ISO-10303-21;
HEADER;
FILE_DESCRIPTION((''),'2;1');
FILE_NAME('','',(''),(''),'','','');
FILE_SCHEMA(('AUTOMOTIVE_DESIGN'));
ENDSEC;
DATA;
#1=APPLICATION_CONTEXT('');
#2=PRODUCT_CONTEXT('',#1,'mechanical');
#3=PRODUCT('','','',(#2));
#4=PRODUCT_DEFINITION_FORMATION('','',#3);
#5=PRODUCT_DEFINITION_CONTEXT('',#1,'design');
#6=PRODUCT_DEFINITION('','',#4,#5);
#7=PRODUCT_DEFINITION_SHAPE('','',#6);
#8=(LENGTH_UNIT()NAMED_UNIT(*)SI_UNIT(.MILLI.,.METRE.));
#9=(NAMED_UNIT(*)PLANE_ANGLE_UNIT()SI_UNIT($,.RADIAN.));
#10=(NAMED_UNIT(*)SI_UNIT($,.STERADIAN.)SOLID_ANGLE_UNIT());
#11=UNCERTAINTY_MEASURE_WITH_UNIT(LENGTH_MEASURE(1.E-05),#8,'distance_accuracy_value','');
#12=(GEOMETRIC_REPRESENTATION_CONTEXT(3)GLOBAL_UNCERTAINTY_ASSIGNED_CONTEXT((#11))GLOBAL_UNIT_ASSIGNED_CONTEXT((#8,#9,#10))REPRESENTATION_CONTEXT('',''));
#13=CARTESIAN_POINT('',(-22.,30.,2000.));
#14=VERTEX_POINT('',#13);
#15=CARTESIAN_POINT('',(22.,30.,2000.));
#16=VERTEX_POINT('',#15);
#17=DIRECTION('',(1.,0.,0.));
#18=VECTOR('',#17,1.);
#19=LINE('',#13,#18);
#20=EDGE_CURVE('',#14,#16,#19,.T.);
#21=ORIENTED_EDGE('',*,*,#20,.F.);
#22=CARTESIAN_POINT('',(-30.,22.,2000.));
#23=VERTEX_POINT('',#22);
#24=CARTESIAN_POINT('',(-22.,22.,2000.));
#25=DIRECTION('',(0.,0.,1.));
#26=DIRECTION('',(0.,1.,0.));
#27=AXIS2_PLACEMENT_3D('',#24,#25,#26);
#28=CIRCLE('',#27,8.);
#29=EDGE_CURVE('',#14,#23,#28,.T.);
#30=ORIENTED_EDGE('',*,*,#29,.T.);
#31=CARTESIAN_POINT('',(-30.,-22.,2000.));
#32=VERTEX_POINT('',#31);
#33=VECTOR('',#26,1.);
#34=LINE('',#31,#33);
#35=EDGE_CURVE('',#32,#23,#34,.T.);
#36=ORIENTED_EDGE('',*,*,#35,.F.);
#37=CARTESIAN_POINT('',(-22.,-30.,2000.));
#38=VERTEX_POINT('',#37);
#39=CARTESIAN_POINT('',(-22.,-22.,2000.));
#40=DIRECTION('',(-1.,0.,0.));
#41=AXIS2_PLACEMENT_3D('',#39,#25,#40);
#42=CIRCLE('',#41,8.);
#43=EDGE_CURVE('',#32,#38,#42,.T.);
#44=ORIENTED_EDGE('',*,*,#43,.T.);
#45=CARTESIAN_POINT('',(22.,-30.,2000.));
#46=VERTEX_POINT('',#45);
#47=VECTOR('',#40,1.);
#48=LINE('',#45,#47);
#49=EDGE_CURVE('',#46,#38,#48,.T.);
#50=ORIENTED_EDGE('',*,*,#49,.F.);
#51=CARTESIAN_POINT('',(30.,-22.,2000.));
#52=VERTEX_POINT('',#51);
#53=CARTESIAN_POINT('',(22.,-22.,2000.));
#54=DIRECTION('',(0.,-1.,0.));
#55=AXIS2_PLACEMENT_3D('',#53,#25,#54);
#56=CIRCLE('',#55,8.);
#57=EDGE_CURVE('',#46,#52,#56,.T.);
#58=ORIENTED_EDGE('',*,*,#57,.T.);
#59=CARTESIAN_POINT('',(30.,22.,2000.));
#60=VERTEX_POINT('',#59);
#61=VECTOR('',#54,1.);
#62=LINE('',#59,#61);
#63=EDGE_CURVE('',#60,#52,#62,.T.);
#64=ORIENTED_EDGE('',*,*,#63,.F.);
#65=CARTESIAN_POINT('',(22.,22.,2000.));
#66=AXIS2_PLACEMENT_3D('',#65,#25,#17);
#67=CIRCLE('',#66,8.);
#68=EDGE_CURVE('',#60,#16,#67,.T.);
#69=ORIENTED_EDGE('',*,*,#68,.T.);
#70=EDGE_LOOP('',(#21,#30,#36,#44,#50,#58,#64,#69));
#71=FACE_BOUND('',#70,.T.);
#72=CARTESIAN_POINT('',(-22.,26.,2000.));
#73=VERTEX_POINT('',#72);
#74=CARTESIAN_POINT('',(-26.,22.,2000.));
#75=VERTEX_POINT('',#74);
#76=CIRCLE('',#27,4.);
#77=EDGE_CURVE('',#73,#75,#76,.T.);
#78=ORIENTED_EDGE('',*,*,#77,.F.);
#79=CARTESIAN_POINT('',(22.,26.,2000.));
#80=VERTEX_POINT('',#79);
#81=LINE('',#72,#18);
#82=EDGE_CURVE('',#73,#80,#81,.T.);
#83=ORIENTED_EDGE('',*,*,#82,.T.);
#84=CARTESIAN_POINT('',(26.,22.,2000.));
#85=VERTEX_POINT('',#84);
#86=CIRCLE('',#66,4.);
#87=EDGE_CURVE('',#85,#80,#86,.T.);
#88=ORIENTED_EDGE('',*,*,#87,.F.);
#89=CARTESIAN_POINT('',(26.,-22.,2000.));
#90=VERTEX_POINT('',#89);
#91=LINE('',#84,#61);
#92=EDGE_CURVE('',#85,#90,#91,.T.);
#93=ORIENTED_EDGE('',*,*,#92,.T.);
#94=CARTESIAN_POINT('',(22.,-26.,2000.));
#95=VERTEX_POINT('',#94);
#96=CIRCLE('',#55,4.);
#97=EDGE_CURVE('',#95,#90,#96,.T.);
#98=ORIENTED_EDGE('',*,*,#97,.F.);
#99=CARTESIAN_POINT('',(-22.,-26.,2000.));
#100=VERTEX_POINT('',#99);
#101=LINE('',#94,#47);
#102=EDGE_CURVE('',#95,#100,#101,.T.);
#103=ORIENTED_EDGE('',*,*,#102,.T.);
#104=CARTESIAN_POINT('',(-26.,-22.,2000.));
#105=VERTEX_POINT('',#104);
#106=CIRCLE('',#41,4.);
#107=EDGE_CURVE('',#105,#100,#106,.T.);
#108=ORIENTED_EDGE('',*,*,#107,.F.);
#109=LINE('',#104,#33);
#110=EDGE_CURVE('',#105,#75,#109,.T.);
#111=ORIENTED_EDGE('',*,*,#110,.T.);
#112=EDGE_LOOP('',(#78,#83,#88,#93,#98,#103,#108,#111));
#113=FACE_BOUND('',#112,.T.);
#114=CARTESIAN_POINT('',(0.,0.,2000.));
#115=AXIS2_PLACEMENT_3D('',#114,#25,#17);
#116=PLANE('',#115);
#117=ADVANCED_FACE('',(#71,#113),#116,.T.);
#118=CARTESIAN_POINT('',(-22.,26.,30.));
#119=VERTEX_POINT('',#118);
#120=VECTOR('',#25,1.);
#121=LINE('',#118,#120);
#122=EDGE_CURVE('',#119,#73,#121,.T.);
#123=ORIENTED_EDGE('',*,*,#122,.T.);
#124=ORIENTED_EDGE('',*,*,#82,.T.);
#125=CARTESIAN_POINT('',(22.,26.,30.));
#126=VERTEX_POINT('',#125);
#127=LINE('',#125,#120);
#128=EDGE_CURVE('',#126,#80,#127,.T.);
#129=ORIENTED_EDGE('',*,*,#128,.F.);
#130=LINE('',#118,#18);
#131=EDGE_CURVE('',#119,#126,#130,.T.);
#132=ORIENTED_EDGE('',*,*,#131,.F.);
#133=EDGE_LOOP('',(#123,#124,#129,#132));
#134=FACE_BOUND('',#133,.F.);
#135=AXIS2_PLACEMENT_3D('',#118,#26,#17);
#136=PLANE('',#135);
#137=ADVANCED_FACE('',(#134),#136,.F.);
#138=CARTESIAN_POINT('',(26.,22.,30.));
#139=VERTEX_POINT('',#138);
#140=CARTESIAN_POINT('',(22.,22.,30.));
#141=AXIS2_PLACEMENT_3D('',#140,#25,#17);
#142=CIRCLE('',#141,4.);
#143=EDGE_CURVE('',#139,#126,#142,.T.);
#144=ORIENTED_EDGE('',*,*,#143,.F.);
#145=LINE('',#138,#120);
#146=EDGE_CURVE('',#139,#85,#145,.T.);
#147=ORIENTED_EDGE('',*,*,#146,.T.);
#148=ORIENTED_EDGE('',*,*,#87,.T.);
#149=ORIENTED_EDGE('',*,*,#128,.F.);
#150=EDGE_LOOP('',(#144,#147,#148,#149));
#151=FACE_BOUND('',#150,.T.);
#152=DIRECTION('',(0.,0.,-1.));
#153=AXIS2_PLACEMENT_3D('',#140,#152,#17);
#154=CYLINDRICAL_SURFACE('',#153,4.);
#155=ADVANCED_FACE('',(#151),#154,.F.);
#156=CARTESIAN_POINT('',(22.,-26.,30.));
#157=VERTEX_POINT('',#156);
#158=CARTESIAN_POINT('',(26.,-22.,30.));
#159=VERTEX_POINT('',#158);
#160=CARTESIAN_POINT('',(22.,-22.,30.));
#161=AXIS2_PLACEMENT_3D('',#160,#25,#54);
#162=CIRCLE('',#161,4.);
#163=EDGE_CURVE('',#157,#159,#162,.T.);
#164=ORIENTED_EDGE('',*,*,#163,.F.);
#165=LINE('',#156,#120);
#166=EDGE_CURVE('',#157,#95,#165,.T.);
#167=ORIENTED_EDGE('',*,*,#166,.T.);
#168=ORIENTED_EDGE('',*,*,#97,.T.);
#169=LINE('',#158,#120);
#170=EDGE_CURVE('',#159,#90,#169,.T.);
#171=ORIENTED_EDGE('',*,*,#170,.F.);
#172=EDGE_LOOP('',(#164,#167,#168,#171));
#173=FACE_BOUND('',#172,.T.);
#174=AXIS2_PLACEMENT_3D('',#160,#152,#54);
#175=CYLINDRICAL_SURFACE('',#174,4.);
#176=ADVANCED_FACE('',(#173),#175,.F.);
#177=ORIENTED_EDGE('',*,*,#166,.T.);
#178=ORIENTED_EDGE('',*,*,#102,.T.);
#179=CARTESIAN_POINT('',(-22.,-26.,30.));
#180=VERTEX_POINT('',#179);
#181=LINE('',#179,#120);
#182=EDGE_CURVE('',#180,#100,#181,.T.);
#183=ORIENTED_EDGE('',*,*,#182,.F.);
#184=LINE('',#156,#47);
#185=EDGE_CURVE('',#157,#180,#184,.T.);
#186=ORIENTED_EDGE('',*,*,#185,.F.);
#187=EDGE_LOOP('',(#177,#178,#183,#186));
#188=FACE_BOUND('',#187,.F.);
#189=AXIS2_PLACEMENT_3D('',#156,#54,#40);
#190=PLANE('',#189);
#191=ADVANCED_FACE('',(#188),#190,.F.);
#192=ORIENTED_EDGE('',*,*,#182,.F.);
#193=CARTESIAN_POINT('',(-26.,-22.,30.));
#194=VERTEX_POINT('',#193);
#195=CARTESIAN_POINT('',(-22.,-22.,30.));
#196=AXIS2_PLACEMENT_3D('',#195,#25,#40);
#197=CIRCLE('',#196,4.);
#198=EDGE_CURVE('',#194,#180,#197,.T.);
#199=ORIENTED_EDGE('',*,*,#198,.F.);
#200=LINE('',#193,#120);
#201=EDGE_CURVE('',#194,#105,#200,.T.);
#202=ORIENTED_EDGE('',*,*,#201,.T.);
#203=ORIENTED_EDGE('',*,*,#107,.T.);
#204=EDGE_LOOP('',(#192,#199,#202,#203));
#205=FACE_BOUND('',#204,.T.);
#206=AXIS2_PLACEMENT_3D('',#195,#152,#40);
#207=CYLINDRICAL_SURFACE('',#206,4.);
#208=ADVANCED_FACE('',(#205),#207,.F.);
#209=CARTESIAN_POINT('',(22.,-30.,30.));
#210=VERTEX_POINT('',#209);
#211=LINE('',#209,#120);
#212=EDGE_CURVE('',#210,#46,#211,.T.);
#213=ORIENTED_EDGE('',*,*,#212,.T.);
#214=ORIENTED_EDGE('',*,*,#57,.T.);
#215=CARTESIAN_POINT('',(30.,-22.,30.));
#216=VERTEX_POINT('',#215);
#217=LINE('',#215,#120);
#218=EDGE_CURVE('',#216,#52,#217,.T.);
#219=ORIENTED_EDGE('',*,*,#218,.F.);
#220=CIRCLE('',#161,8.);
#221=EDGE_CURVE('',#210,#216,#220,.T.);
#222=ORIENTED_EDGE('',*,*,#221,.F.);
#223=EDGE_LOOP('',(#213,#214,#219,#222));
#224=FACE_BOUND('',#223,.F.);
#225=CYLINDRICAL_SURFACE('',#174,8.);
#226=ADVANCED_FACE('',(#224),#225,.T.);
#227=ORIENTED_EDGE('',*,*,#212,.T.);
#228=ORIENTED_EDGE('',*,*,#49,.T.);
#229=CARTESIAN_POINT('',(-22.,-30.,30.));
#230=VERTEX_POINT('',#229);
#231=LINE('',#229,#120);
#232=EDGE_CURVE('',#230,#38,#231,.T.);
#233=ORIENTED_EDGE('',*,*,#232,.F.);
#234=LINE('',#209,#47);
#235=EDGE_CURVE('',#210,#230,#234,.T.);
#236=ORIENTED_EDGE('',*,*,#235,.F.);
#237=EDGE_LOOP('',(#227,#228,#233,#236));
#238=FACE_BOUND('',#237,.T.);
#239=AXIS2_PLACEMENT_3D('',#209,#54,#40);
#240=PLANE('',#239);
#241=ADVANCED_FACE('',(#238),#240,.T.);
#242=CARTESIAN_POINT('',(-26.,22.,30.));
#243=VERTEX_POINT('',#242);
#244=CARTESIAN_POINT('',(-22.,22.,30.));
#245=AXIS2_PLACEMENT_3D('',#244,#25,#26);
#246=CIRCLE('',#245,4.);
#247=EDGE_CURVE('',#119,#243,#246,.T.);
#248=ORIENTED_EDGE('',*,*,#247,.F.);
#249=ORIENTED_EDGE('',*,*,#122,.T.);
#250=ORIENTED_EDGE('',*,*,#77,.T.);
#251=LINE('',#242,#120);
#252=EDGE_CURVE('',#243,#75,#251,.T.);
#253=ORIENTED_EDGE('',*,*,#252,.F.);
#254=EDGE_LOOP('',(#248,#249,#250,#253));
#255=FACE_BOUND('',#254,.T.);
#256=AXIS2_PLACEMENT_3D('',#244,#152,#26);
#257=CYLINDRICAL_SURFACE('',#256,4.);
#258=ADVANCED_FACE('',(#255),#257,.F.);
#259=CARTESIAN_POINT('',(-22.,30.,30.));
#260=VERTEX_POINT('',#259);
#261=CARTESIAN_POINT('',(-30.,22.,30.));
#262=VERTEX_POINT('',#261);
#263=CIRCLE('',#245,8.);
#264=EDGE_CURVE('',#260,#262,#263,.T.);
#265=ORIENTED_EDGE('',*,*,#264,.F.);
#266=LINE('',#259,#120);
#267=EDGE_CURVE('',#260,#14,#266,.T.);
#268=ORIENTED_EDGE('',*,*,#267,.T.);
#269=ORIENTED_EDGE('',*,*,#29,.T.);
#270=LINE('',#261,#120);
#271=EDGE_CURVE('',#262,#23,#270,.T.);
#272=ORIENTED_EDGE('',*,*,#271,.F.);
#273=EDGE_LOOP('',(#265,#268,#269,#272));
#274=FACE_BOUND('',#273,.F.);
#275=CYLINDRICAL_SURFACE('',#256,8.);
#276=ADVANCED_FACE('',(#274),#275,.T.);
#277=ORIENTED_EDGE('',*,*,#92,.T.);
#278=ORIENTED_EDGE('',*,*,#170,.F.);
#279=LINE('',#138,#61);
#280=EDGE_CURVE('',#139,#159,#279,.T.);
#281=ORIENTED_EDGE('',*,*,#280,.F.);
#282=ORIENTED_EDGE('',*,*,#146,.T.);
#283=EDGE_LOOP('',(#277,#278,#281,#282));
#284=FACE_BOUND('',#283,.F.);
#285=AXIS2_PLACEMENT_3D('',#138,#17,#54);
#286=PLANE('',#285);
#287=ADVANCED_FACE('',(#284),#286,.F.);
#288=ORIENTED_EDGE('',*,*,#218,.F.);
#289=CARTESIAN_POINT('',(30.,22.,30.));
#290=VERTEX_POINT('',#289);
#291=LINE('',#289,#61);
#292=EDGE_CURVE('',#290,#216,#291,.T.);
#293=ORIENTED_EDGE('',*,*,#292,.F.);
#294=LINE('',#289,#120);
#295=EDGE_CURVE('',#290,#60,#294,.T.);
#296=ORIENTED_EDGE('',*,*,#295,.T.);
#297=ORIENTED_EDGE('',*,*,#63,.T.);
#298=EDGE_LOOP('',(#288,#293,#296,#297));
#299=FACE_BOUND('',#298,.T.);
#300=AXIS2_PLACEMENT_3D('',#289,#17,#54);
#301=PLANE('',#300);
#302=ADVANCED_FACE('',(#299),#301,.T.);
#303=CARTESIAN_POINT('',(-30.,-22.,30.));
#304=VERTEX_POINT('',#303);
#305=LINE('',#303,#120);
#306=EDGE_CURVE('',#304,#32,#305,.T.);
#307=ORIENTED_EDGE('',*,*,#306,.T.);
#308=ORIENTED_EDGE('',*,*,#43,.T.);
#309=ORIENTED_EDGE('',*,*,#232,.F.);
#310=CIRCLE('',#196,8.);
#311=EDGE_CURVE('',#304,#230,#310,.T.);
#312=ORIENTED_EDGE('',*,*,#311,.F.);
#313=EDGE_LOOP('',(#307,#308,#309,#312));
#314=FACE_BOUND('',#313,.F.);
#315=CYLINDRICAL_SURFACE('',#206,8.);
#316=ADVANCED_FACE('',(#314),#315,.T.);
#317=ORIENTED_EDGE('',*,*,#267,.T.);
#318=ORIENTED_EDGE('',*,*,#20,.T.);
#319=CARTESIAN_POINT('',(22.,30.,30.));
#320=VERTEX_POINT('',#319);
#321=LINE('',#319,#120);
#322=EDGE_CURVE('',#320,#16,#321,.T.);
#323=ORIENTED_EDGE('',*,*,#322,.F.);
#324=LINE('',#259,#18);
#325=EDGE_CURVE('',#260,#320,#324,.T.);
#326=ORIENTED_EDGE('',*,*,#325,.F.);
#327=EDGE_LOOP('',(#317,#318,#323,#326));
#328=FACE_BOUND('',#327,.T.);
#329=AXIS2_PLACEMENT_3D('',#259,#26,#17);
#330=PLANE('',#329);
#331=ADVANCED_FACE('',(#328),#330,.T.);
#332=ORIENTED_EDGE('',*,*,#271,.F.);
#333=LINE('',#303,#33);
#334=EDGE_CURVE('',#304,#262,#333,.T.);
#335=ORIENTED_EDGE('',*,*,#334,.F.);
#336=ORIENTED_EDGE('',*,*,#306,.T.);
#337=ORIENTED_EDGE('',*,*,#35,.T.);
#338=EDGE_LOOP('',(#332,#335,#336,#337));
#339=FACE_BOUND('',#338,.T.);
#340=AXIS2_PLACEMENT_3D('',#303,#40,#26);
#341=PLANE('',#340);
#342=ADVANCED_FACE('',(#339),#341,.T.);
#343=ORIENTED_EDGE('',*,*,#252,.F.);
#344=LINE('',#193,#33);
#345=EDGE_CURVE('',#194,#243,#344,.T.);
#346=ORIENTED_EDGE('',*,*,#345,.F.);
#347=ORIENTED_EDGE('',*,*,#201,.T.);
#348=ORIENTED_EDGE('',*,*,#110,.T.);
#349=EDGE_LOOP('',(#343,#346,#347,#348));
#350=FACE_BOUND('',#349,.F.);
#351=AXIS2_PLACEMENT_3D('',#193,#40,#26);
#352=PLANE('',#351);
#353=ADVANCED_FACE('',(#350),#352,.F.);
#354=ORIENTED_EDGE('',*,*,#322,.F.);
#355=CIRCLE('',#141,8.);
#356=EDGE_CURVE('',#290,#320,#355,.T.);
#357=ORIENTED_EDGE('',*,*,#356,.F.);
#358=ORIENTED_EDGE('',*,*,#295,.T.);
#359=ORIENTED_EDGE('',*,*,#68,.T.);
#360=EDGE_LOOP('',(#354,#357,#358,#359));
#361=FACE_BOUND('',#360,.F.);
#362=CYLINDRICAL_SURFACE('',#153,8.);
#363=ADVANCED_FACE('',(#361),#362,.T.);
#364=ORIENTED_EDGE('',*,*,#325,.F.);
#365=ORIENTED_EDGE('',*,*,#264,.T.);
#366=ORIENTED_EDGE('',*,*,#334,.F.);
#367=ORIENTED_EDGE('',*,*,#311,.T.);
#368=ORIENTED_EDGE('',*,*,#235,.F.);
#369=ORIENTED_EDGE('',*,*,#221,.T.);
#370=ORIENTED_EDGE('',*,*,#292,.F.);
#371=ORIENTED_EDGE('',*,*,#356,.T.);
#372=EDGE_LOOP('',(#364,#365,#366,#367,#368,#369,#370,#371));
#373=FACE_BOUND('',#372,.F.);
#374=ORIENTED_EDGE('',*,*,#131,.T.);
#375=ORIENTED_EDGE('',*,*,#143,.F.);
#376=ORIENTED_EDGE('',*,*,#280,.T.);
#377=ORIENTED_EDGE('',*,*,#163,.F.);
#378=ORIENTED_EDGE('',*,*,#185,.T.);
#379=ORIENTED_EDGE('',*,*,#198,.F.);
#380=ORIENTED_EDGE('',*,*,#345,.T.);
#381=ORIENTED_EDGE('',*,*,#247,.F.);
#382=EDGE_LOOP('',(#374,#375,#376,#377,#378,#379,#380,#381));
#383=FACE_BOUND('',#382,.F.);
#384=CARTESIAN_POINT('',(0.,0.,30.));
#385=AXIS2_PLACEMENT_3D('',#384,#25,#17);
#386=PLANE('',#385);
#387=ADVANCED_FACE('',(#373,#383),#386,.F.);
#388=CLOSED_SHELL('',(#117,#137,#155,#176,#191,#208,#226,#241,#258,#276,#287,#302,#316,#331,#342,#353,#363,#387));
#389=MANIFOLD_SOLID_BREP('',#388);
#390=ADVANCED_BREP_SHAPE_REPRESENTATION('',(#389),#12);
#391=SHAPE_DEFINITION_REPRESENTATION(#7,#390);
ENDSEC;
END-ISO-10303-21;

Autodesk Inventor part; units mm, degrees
ref_plane "Start Plane" through (0, 0, 30) normal (0, 0, 1) x (1, 0, 0)
ref_plane "End Plane" through (0, 0, 2000) normal (0, 0, 1) x (1, 0, 0)
sketch "Sketch" plane through (0, 0, 0) normal (0, 0, 1) x (1, 0, 0)
  line L0 (-30, -22) -> (-30, 22)
  line L1 (-22, 30) -> (22, 30)
  line L2 (30, 22) -> (30, -22)
  line L3 (22, -30) -> (-22, -30)
  arc A0 (-30, -22) -> (-22, -30) centre (-22, -22) ccw
  arc A1 (30, 22) -> (22, 30) centre (22, 22) ccw
  arc A2 (-22, 30) -> (-30, 22) centre (-22, 22) ccw
  arc A3 (22, -30) -> (30, -22) centre (22, -22) ccw
  arc A4 (-22, 26) -> (-26, 22) centre (-22, 22) ccw
  line L4 (-22, 26) -> (22, 26)
  arc A5 (26, 22) -> (22, 26) centre (22, 22) ccw
  line L5 (26, 22) -> (26, -22)
  arc A6 (22, -26) -> (26, -22) centre (22, -22) ccw
  line L6 (22, -26) -> (-22, -26)
  arc A7 (-26, -22) -> (-22, -26) centre (-22, -22) ccw
  line L7 (-26, -22) -> (-26, 22)
  line L8 (0, 44.3196) -> (0, -44.3196) construction
  line L9 (-44.3196, 0) -> (44.3196, 0) construction
  dimension "d7" = 8
  dimension "d9" = 60
  dimension "d11" = 60
  dimension "d12" = 4
  dimension "d15" = 30
  dimension "d16" = 30
extrude "Body" add sketch "Sketch" along normal up to surface (1970 mm away) from surface at 30
sketch "Sketch3" plane through (0, 0, 0) normal (0, 0, 1) x (1, 0, 0)
  line L0 (0, 0) -> (10, 0)
ref_plane "Work Plane3" through (0, 0, 0) normal (0, -1, 0) x (1, 0, 0)
ref_plane "Work Plane4" through (-7000, -22, 30) normal (0, 0, -1) x (-1, 0, 0)
split "Split1" plane through (-7000, -22, 30) removes the side toward (0, 0, -1)
sketch "Sketch4" plane through (0, 0, 0) normal (0, -1, 0) x (1, 0, 0)
  line L0 (-2, 30) -> (12, 30) projected
  line L1 (-2, 2000) -> (12, 2000) projected
  dimension "d18" = 1970
equation "\"d7\" = G_IR"
equation "\"d9\" = G_W"
equation "\"d11\" = G_H"
equation "\"d12\" = G_T"
equation "\"d15\" = 0.5 * d9"
equation "\"d16\" = 0.5 * d11"
equation "\"d3\" = G_L"
equation "\"G_W\" = 60"
equation "\"G_H\" = 60"
equation "\"G_T\" = 4"
equation "\"G_IR\" = 8"
equation "\"G_L\" = d18"
equation "\"G_OFFSET_END\" = 0"
properties part number "ISO 10799-2 - 60x60x4 - 1970" material "Steel, Mild"
